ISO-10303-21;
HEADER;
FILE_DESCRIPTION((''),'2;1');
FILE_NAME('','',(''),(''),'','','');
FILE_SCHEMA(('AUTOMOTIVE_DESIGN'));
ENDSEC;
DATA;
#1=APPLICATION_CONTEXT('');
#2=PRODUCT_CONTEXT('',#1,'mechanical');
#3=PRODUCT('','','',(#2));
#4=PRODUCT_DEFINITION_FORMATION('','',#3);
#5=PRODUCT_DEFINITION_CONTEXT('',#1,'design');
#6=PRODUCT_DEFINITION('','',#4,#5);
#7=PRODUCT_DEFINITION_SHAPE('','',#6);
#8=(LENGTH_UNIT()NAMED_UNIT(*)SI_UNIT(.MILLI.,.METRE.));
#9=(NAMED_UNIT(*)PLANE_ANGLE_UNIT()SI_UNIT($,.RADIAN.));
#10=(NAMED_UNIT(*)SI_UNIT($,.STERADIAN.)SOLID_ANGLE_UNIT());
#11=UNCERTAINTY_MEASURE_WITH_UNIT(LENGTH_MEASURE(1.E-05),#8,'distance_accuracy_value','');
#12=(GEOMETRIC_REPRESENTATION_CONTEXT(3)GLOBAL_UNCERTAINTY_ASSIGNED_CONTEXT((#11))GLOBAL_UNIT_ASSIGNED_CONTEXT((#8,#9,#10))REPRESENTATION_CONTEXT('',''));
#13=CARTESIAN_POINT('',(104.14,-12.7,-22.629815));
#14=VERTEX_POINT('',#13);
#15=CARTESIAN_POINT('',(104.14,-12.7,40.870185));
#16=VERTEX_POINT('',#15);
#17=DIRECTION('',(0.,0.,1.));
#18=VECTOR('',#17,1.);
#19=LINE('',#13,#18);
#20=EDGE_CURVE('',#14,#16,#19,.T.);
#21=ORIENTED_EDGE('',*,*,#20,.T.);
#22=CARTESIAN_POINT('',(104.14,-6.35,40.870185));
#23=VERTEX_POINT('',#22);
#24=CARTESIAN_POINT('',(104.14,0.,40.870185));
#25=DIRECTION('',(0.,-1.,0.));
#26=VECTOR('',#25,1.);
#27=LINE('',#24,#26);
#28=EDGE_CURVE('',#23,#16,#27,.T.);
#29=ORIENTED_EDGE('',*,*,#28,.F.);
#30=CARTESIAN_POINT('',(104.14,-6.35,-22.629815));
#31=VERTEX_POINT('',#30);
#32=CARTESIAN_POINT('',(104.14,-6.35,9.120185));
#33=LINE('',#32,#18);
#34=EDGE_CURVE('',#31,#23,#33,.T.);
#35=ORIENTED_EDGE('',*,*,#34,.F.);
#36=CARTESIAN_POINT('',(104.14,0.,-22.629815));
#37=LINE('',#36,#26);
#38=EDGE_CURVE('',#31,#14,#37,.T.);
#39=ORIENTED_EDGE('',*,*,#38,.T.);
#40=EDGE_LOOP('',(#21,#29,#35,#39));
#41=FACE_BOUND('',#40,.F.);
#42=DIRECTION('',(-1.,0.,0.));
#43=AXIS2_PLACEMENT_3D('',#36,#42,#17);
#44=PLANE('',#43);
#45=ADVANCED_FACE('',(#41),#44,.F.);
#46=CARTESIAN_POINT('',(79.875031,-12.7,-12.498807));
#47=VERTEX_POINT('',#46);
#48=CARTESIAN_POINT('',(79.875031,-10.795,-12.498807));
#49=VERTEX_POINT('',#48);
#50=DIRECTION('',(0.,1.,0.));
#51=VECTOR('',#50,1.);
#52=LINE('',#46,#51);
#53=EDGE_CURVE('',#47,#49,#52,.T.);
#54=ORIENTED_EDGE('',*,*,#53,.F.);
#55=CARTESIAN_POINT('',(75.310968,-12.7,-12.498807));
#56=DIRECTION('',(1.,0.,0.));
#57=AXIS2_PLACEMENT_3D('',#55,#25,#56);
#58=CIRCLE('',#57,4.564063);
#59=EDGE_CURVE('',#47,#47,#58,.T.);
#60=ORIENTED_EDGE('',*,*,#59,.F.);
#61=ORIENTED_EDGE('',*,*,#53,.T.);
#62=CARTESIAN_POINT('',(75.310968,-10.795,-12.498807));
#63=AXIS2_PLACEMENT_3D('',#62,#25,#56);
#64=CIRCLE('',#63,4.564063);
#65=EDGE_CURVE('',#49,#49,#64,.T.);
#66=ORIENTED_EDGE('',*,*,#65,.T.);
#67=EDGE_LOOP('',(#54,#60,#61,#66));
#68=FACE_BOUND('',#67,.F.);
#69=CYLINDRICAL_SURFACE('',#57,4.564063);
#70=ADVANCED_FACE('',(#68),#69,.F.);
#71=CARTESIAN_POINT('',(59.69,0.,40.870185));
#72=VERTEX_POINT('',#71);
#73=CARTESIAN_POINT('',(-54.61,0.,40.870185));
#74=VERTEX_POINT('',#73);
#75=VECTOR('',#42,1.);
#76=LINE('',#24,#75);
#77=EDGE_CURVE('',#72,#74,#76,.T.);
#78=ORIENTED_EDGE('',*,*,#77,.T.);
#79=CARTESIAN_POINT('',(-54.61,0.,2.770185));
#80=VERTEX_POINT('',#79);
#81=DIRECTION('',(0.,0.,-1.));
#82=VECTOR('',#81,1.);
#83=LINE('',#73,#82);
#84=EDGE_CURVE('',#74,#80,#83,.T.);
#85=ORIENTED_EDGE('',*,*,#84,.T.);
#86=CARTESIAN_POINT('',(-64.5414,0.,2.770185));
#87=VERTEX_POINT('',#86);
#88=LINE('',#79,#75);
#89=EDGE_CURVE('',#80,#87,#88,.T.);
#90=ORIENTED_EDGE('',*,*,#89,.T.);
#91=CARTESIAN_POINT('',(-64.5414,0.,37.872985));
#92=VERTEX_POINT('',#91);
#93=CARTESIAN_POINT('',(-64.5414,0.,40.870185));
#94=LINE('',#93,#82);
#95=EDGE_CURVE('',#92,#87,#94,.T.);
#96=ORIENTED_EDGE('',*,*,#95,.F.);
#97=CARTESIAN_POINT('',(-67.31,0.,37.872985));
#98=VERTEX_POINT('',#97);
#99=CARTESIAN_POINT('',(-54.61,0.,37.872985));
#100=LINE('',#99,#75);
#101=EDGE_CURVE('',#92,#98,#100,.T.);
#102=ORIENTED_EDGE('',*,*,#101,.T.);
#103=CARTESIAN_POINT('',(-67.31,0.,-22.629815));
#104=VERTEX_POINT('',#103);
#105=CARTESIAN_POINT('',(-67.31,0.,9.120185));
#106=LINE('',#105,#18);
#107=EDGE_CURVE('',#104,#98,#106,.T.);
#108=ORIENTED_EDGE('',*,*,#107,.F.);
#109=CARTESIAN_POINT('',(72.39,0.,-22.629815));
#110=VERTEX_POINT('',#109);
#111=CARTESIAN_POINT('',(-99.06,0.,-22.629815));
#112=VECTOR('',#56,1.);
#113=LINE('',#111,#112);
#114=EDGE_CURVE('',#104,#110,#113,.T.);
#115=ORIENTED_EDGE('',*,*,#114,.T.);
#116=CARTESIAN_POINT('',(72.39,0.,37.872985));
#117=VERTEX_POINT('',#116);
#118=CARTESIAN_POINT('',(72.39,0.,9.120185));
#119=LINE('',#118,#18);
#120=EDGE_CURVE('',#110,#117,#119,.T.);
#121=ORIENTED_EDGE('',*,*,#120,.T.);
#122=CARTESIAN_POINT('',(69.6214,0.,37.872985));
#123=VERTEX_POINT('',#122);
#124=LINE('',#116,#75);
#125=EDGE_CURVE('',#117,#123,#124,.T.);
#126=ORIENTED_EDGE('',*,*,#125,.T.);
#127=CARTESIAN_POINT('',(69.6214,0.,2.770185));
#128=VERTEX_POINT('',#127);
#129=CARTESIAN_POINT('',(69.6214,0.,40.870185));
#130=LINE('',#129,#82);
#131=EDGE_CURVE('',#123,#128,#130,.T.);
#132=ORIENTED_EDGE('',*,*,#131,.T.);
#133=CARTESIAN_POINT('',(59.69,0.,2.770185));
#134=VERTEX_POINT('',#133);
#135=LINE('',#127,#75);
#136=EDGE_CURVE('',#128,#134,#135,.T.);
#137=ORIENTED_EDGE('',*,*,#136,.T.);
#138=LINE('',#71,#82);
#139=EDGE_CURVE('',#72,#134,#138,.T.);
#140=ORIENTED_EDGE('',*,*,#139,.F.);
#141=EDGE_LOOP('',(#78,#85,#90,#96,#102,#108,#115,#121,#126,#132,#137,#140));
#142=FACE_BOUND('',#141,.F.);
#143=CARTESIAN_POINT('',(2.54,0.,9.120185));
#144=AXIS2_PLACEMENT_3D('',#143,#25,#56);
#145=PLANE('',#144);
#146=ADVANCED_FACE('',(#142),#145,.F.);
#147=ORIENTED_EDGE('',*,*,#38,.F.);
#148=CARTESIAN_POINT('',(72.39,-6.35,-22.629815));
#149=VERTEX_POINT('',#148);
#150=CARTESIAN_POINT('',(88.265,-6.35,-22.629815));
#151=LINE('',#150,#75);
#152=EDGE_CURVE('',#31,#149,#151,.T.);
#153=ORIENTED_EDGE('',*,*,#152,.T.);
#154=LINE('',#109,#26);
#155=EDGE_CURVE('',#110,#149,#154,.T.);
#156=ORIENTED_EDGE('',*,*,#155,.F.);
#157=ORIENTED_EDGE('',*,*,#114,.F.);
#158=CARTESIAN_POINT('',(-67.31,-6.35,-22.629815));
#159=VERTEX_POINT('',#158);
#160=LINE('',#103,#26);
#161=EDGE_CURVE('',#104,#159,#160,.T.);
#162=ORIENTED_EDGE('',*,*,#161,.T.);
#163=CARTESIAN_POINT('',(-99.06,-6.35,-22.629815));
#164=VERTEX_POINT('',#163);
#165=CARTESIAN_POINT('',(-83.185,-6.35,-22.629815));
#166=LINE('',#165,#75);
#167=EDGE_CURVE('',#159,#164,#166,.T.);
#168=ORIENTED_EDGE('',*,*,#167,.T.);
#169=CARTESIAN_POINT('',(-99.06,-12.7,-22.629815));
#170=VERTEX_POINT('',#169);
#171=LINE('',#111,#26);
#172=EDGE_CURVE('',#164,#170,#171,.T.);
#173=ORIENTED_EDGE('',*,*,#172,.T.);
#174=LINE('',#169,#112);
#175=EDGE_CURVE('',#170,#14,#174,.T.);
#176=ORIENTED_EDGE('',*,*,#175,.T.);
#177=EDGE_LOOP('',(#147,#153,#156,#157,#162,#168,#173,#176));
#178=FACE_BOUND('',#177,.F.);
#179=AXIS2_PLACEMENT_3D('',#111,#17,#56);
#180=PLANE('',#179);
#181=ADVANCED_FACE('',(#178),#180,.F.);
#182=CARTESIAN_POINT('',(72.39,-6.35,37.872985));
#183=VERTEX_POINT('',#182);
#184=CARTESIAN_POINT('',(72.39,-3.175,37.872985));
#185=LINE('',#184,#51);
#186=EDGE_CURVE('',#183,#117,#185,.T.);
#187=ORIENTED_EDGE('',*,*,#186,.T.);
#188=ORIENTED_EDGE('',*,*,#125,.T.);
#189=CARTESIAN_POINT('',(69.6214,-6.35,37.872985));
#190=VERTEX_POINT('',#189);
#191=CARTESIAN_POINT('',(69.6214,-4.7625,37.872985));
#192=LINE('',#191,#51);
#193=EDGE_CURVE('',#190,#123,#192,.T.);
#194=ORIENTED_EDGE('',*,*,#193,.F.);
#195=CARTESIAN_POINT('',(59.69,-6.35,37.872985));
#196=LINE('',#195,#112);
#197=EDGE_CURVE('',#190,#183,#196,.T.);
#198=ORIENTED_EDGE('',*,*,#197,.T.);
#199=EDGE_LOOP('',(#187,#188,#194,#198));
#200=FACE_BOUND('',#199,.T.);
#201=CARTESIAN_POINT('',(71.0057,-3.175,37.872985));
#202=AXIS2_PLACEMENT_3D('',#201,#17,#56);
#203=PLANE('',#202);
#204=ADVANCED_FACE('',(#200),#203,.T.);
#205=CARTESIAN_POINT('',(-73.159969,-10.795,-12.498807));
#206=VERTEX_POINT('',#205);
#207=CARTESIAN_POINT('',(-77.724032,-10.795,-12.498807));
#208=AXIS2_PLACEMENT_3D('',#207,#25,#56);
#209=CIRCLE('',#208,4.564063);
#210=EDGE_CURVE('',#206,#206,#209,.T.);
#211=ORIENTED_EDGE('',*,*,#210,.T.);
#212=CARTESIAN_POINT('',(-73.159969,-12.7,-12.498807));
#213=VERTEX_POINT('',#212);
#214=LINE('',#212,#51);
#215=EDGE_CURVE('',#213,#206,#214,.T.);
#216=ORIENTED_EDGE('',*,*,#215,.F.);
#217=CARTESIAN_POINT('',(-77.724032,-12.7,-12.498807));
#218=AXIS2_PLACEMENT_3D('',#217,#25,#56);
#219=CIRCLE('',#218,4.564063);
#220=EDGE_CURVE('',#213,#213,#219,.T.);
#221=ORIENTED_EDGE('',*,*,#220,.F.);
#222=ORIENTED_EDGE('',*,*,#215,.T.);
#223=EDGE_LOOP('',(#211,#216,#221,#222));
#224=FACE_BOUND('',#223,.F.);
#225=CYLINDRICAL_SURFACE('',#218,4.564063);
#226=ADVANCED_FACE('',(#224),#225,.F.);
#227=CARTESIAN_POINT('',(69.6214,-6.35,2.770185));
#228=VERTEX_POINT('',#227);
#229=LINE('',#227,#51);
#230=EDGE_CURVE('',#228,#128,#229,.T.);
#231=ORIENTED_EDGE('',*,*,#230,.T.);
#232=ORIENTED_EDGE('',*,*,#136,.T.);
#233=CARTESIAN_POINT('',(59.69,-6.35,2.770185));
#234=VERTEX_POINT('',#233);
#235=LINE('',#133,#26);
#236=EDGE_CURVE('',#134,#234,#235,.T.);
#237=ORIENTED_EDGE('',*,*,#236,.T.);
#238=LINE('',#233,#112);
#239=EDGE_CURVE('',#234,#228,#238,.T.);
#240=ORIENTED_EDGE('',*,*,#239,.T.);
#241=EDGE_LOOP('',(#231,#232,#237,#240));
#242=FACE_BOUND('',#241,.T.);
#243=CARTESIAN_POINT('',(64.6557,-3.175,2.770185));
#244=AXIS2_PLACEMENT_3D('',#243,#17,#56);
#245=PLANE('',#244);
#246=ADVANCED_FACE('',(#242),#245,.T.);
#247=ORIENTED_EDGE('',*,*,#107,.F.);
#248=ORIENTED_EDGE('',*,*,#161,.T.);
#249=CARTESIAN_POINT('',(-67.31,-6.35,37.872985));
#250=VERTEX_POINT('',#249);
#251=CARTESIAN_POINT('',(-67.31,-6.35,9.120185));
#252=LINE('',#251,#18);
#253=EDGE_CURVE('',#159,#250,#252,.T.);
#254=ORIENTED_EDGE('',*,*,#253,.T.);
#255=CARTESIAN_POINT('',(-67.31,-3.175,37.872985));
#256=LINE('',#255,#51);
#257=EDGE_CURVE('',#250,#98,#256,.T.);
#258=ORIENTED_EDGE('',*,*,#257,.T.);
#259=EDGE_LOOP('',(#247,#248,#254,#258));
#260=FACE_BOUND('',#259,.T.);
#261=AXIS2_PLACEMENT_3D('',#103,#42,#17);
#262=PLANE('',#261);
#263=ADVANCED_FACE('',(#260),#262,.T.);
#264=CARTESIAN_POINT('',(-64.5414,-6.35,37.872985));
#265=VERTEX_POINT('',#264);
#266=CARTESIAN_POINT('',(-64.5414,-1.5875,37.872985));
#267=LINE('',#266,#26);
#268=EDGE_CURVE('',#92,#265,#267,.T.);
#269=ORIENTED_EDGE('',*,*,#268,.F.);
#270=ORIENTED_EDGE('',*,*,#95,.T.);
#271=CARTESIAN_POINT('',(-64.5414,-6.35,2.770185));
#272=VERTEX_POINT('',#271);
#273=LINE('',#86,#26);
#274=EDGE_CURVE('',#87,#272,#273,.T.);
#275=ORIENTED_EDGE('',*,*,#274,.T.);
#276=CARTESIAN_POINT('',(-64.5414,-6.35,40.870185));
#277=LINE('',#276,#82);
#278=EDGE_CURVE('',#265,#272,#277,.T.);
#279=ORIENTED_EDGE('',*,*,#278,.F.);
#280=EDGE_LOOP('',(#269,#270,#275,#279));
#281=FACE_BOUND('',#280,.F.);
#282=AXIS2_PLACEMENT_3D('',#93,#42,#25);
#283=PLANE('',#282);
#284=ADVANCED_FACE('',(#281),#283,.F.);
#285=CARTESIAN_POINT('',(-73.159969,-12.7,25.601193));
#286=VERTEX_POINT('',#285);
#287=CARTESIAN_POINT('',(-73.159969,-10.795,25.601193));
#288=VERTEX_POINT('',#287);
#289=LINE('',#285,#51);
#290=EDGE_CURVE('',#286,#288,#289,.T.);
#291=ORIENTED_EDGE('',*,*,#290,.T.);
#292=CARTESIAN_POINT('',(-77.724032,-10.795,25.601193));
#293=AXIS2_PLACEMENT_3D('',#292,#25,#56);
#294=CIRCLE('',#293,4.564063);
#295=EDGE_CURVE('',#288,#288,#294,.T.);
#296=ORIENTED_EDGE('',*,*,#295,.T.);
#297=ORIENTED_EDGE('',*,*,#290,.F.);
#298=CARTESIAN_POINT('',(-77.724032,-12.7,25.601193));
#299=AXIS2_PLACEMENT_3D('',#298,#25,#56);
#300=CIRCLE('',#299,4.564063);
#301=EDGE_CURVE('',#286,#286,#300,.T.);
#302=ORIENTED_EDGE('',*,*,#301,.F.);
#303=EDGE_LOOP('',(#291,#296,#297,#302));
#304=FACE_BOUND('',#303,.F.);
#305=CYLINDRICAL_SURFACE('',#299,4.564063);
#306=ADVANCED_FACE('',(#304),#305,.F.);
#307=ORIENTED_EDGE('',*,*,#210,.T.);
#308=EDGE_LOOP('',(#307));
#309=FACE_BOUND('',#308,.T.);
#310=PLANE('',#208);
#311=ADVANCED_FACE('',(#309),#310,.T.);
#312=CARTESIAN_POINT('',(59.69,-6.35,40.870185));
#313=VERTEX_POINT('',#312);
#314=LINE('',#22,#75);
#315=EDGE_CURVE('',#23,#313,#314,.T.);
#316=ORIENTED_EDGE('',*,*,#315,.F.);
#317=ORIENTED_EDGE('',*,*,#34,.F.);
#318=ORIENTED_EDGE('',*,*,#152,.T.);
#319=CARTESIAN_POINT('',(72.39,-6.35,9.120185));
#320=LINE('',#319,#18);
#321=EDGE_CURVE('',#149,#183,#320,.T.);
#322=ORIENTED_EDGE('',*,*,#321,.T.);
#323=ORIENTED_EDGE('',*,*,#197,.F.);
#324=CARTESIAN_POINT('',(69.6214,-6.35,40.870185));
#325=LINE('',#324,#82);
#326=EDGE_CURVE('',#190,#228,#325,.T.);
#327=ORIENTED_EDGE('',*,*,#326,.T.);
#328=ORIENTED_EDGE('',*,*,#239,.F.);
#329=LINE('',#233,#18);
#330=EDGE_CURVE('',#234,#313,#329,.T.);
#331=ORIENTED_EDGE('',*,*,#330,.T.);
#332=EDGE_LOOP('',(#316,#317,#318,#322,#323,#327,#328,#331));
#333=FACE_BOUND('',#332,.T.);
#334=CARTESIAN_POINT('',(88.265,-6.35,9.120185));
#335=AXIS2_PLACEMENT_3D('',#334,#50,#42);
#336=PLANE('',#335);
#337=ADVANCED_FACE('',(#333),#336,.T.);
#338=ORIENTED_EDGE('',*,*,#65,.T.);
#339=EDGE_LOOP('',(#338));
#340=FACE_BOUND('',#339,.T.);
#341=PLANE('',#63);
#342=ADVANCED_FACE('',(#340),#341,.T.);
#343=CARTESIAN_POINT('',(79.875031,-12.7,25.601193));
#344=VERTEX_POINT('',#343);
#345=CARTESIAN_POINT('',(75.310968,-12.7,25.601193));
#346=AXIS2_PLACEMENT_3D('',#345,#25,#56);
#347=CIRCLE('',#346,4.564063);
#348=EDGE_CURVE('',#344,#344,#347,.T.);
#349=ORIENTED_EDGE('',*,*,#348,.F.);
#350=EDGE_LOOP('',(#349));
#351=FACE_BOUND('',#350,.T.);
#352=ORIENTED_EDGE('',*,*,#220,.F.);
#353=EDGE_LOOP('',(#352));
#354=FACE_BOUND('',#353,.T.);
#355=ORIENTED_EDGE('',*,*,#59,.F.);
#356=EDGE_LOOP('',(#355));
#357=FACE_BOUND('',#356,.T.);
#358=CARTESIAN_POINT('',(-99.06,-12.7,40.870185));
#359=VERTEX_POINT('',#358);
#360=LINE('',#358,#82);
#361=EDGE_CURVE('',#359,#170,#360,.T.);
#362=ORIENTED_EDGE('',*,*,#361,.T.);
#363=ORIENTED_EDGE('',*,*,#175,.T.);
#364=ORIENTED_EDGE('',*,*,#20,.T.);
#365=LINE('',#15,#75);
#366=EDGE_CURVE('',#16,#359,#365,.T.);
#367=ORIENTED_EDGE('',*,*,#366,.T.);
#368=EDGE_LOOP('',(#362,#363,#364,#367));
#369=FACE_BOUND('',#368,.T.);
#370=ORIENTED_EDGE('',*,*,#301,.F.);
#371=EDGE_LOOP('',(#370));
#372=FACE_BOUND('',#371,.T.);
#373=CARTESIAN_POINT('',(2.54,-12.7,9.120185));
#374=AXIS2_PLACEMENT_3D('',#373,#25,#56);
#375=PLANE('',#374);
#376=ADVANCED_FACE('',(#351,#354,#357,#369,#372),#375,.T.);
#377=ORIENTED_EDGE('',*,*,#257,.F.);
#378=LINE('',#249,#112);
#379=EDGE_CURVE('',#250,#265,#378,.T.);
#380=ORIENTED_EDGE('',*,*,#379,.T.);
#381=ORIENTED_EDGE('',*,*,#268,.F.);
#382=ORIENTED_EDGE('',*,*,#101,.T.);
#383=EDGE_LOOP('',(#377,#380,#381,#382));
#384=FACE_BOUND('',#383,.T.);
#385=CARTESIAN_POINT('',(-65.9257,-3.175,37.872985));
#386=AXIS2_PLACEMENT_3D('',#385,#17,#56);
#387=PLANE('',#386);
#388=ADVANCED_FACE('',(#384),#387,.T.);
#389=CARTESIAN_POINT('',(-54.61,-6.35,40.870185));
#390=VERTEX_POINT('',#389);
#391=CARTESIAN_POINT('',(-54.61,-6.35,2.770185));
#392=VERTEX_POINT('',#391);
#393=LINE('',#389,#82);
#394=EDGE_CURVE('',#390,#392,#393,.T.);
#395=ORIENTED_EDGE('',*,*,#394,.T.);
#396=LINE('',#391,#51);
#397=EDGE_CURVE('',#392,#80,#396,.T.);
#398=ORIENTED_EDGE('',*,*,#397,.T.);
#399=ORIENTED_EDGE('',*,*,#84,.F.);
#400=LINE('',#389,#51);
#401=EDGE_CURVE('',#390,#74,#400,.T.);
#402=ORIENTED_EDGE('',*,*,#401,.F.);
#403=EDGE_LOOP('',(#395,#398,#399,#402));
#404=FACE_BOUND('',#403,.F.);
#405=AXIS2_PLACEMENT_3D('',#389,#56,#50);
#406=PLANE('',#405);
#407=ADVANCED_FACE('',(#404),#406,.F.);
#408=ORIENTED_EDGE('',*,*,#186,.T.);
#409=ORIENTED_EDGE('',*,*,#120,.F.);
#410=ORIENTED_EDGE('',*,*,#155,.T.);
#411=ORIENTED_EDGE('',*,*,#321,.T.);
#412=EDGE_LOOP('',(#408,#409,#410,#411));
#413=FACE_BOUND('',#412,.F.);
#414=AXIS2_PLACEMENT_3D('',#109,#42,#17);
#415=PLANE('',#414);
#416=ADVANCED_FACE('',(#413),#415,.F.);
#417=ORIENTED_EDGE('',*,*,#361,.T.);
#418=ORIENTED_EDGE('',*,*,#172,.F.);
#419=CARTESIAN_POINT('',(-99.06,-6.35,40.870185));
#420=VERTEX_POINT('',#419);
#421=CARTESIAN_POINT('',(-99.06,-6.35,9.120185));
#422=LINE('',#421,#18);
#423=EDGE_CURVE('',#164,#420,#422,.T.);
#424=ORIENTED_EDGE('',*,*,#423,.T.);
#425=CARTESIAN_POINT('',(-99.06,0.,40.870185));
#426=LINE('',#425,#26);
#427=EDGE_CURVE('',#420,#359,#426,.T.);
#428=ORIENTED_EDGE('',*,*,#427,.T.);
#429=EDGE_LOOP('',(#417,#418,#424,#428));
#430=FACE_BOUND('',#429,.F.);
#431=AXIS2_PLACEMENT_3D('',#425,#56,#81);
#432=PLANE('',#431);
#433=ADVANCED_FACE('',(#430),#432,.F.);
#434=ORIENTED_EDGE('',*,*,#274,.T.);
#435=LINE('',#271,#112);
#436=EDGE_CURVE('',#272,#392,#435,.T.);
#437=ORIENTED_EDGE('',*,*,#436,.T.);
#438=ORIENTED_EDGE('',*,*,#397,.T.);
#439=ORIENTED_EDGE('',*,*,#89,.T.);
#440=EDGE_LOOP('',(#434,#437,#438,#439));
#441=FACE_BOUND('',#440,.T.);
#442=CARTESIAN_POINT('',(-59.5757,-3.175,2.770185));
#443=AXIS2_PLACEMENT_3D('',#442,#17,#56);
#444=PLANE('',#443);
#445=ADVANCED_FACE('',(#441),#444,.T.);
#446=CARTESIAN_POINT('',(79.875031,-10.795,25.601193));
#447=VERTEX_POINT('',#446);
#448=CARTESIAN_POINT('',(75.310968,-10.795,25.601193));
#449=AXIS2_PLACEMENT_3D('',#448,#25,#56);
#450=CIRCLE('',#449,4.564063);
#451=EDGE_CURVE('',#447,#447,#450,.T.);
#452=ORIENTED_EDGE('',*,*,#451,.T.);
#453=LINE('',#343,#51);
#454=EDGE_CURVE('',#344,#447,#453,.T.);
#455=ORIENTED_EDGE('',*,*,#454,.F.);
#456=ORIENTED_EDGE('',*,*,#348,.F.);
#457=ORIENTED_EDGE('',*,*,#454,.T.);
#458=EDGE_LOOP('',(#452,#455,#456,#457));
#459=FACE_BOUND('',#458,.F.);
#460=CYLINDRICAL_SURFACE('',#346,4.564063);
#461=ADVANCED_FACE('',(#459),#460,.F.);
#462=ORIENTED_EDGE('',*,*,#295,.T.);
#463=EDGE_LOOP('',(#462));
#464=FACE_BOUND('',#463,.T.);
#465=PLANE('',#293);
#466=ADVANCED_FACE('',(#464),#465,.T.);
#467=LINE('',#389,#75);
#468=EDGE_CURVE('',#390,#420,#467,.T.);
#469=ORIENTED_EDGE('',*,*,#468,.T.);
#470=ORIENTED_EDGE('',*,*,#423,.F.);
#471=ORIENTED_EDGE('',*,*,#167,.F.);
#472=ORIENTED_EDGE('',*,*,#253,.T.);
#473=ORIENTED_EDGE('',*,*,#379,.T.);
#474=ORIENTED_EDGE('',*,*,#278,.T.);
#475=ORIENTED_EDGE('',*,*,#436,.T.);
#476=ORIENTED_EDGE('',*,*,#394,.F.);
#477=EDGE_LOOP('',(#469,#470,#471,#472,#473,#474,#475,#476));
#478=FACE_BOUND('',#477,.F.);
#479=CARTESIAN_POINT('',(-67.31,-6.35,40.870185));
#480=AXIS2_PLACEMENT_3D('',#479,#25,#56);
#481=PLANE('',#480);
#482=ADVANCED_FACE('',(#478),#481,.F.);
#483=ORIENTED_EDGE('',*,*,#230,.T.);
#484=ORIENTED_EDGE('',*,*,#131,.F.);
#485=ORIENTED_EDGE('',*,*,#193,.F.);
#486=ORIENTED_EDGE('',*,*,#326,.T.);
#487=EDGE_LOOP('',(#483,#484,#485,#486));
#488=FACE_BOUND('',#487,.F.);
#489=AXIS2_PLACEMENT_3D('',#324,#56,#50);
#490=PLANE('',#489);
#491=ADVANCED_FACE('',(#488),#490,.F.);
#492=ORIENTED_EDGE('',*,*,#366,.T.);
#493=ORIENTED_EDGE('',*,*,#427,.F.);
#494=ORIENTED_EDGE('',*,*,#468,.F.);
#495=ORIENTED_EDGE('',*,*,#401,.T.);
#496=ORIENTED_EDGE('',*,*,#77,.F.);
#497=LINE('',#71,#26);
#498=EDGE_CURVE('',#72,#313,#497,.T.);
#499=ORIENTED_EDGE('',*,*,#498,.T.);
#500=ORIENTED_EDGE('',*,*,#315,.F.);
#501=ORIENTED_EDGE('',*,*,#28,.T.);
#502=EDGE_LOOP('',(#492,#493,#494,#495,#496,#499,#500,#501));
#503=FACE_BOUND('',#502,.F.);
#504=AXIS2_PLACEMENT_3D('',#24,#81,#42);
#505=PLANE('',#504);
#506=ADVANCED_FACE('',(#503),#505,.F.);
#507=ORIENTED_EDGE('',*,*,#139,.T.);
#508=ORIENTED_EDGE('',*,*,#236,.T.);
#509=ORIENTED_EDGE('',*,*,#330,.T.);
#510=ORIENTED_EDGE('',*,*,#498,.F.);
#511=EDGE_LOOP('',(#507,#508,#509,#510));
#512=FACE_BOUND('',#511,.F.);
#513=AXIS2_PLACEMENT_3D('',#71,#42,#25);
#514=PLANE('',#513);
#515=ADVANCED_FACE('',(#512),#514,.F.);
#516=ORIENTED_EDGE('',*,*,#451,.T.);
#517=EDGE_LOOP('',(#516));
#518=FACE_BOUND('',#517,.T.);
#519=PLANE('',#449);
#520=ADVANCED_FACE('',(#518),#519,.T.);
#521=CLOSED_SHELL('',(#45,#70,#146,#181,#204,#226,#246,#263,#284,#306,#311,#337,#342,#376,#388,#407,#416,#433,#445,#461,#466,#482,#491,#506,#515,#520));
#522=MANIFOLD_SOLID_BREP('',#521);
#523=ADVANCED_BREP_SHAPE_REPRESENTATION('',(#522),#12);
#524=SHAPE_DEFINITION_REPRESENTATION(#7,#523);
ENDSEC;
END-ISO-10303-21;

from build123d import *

# Parameters (mm, degrees)
F1_DEPTH = 12.7
F2_R     = 4.564063
F3_DEPTH = 1.905
F4_W     = 31.75
F4_H     = 63.5
F5_DEPTH = 6.35
F6_W     = 2.7686
F6_H     = 6.35
F7_DEPTH = 2.9972
F8_DEPTH = 38.1


with BuildPart() as f1:
    # F0 (on Front) → F1 (new body)
    with BuildSketch(Plane.XZ):
        Polygon((104.14, 40.870185), (2.54, 40.870185), (-99.06, 40.870185), (-99.06, -22.629815), (2.54, -22.629815), (104.14, -22.629815), align=None)
    extrude(amount=F1_DEPTH)

    # F2 (on face) → F3 (cut)
    with BuildSketch(Plane.XZ.offset(12.7)):
        with Locations((-77.724032, -12.498807)):
            Circle(F2_R)
        with Locations((75.310968, -12.498807)):
            Circle(F2_R)
        with Locations((75.310968, 25.601193)):
            Circle(F2_R)
        with Locations((-77.724032, 25.601193)):
            Circle(F2_R)
    extrude(amount=-F3_DEPTH, mode=Mode.SUBTRACT)

    # F4 (on face) → F5 (cut)
    with BuildSketch(Plane(origin=(0, 0, 0), x_dir=(-1, 0, 0), z_dir=(0, 1, 0))):
        with Locations((-88.265, 9.120185)):
            Rectangle(F4_W, F4_H)
        with Locations((83.185, 9.120185)):
            Rectangle(F4_W, F4_H)
    extrude(amount=-F5_DEPTH, mode=Mode.SUBTRACT)

    # F6 (on face) → F7 (cut)
    with BuildSketch(Plane.XY.offset(40.870185)):
        with Locations((-65.9257, -3.175)):
            Rectangle(F6_W, F6_H)
        Polygon((-64.5414, 0), (-64.5414, -6.35), (-57.3786, -6.35), (-54.61, -6.35), (-54.61, 0), (-57.3786, 0), align=None)
        with Locations((71.0057, -3.175)):
            Rectangle(F6_W, F6_H)
        Polygon((62.4586, -6.35), (69.6214, -6.35), (69.6214, 0), (62.4586, 0), (59.69, 0), (59.69, -6.35), align=None)
    extrude(amount=-F7_DEPTH, mode=Mode.SUBTRACT)

    # F6 (on face) → F8 (cut)
    with BuildSketch(Plane.XY.offset(40.870185)):
        Polygon((-64.5414, 0), (-64.5414, -6.35), (-57.3786, -6.35), (-54.61, -6.35), (-54.61, 0), (-57.3786, 0), align=None)
        Polygon((62.4586, 0), (59.69, 0), (59.69, -6.35), (62.4586, -6.35), (69.6214, -6.35), (69.6214, 0), align=None)
    extrude(amount=-F8_DEPTH, mode=Mode.SUBTRACT)


solid = f1.part
